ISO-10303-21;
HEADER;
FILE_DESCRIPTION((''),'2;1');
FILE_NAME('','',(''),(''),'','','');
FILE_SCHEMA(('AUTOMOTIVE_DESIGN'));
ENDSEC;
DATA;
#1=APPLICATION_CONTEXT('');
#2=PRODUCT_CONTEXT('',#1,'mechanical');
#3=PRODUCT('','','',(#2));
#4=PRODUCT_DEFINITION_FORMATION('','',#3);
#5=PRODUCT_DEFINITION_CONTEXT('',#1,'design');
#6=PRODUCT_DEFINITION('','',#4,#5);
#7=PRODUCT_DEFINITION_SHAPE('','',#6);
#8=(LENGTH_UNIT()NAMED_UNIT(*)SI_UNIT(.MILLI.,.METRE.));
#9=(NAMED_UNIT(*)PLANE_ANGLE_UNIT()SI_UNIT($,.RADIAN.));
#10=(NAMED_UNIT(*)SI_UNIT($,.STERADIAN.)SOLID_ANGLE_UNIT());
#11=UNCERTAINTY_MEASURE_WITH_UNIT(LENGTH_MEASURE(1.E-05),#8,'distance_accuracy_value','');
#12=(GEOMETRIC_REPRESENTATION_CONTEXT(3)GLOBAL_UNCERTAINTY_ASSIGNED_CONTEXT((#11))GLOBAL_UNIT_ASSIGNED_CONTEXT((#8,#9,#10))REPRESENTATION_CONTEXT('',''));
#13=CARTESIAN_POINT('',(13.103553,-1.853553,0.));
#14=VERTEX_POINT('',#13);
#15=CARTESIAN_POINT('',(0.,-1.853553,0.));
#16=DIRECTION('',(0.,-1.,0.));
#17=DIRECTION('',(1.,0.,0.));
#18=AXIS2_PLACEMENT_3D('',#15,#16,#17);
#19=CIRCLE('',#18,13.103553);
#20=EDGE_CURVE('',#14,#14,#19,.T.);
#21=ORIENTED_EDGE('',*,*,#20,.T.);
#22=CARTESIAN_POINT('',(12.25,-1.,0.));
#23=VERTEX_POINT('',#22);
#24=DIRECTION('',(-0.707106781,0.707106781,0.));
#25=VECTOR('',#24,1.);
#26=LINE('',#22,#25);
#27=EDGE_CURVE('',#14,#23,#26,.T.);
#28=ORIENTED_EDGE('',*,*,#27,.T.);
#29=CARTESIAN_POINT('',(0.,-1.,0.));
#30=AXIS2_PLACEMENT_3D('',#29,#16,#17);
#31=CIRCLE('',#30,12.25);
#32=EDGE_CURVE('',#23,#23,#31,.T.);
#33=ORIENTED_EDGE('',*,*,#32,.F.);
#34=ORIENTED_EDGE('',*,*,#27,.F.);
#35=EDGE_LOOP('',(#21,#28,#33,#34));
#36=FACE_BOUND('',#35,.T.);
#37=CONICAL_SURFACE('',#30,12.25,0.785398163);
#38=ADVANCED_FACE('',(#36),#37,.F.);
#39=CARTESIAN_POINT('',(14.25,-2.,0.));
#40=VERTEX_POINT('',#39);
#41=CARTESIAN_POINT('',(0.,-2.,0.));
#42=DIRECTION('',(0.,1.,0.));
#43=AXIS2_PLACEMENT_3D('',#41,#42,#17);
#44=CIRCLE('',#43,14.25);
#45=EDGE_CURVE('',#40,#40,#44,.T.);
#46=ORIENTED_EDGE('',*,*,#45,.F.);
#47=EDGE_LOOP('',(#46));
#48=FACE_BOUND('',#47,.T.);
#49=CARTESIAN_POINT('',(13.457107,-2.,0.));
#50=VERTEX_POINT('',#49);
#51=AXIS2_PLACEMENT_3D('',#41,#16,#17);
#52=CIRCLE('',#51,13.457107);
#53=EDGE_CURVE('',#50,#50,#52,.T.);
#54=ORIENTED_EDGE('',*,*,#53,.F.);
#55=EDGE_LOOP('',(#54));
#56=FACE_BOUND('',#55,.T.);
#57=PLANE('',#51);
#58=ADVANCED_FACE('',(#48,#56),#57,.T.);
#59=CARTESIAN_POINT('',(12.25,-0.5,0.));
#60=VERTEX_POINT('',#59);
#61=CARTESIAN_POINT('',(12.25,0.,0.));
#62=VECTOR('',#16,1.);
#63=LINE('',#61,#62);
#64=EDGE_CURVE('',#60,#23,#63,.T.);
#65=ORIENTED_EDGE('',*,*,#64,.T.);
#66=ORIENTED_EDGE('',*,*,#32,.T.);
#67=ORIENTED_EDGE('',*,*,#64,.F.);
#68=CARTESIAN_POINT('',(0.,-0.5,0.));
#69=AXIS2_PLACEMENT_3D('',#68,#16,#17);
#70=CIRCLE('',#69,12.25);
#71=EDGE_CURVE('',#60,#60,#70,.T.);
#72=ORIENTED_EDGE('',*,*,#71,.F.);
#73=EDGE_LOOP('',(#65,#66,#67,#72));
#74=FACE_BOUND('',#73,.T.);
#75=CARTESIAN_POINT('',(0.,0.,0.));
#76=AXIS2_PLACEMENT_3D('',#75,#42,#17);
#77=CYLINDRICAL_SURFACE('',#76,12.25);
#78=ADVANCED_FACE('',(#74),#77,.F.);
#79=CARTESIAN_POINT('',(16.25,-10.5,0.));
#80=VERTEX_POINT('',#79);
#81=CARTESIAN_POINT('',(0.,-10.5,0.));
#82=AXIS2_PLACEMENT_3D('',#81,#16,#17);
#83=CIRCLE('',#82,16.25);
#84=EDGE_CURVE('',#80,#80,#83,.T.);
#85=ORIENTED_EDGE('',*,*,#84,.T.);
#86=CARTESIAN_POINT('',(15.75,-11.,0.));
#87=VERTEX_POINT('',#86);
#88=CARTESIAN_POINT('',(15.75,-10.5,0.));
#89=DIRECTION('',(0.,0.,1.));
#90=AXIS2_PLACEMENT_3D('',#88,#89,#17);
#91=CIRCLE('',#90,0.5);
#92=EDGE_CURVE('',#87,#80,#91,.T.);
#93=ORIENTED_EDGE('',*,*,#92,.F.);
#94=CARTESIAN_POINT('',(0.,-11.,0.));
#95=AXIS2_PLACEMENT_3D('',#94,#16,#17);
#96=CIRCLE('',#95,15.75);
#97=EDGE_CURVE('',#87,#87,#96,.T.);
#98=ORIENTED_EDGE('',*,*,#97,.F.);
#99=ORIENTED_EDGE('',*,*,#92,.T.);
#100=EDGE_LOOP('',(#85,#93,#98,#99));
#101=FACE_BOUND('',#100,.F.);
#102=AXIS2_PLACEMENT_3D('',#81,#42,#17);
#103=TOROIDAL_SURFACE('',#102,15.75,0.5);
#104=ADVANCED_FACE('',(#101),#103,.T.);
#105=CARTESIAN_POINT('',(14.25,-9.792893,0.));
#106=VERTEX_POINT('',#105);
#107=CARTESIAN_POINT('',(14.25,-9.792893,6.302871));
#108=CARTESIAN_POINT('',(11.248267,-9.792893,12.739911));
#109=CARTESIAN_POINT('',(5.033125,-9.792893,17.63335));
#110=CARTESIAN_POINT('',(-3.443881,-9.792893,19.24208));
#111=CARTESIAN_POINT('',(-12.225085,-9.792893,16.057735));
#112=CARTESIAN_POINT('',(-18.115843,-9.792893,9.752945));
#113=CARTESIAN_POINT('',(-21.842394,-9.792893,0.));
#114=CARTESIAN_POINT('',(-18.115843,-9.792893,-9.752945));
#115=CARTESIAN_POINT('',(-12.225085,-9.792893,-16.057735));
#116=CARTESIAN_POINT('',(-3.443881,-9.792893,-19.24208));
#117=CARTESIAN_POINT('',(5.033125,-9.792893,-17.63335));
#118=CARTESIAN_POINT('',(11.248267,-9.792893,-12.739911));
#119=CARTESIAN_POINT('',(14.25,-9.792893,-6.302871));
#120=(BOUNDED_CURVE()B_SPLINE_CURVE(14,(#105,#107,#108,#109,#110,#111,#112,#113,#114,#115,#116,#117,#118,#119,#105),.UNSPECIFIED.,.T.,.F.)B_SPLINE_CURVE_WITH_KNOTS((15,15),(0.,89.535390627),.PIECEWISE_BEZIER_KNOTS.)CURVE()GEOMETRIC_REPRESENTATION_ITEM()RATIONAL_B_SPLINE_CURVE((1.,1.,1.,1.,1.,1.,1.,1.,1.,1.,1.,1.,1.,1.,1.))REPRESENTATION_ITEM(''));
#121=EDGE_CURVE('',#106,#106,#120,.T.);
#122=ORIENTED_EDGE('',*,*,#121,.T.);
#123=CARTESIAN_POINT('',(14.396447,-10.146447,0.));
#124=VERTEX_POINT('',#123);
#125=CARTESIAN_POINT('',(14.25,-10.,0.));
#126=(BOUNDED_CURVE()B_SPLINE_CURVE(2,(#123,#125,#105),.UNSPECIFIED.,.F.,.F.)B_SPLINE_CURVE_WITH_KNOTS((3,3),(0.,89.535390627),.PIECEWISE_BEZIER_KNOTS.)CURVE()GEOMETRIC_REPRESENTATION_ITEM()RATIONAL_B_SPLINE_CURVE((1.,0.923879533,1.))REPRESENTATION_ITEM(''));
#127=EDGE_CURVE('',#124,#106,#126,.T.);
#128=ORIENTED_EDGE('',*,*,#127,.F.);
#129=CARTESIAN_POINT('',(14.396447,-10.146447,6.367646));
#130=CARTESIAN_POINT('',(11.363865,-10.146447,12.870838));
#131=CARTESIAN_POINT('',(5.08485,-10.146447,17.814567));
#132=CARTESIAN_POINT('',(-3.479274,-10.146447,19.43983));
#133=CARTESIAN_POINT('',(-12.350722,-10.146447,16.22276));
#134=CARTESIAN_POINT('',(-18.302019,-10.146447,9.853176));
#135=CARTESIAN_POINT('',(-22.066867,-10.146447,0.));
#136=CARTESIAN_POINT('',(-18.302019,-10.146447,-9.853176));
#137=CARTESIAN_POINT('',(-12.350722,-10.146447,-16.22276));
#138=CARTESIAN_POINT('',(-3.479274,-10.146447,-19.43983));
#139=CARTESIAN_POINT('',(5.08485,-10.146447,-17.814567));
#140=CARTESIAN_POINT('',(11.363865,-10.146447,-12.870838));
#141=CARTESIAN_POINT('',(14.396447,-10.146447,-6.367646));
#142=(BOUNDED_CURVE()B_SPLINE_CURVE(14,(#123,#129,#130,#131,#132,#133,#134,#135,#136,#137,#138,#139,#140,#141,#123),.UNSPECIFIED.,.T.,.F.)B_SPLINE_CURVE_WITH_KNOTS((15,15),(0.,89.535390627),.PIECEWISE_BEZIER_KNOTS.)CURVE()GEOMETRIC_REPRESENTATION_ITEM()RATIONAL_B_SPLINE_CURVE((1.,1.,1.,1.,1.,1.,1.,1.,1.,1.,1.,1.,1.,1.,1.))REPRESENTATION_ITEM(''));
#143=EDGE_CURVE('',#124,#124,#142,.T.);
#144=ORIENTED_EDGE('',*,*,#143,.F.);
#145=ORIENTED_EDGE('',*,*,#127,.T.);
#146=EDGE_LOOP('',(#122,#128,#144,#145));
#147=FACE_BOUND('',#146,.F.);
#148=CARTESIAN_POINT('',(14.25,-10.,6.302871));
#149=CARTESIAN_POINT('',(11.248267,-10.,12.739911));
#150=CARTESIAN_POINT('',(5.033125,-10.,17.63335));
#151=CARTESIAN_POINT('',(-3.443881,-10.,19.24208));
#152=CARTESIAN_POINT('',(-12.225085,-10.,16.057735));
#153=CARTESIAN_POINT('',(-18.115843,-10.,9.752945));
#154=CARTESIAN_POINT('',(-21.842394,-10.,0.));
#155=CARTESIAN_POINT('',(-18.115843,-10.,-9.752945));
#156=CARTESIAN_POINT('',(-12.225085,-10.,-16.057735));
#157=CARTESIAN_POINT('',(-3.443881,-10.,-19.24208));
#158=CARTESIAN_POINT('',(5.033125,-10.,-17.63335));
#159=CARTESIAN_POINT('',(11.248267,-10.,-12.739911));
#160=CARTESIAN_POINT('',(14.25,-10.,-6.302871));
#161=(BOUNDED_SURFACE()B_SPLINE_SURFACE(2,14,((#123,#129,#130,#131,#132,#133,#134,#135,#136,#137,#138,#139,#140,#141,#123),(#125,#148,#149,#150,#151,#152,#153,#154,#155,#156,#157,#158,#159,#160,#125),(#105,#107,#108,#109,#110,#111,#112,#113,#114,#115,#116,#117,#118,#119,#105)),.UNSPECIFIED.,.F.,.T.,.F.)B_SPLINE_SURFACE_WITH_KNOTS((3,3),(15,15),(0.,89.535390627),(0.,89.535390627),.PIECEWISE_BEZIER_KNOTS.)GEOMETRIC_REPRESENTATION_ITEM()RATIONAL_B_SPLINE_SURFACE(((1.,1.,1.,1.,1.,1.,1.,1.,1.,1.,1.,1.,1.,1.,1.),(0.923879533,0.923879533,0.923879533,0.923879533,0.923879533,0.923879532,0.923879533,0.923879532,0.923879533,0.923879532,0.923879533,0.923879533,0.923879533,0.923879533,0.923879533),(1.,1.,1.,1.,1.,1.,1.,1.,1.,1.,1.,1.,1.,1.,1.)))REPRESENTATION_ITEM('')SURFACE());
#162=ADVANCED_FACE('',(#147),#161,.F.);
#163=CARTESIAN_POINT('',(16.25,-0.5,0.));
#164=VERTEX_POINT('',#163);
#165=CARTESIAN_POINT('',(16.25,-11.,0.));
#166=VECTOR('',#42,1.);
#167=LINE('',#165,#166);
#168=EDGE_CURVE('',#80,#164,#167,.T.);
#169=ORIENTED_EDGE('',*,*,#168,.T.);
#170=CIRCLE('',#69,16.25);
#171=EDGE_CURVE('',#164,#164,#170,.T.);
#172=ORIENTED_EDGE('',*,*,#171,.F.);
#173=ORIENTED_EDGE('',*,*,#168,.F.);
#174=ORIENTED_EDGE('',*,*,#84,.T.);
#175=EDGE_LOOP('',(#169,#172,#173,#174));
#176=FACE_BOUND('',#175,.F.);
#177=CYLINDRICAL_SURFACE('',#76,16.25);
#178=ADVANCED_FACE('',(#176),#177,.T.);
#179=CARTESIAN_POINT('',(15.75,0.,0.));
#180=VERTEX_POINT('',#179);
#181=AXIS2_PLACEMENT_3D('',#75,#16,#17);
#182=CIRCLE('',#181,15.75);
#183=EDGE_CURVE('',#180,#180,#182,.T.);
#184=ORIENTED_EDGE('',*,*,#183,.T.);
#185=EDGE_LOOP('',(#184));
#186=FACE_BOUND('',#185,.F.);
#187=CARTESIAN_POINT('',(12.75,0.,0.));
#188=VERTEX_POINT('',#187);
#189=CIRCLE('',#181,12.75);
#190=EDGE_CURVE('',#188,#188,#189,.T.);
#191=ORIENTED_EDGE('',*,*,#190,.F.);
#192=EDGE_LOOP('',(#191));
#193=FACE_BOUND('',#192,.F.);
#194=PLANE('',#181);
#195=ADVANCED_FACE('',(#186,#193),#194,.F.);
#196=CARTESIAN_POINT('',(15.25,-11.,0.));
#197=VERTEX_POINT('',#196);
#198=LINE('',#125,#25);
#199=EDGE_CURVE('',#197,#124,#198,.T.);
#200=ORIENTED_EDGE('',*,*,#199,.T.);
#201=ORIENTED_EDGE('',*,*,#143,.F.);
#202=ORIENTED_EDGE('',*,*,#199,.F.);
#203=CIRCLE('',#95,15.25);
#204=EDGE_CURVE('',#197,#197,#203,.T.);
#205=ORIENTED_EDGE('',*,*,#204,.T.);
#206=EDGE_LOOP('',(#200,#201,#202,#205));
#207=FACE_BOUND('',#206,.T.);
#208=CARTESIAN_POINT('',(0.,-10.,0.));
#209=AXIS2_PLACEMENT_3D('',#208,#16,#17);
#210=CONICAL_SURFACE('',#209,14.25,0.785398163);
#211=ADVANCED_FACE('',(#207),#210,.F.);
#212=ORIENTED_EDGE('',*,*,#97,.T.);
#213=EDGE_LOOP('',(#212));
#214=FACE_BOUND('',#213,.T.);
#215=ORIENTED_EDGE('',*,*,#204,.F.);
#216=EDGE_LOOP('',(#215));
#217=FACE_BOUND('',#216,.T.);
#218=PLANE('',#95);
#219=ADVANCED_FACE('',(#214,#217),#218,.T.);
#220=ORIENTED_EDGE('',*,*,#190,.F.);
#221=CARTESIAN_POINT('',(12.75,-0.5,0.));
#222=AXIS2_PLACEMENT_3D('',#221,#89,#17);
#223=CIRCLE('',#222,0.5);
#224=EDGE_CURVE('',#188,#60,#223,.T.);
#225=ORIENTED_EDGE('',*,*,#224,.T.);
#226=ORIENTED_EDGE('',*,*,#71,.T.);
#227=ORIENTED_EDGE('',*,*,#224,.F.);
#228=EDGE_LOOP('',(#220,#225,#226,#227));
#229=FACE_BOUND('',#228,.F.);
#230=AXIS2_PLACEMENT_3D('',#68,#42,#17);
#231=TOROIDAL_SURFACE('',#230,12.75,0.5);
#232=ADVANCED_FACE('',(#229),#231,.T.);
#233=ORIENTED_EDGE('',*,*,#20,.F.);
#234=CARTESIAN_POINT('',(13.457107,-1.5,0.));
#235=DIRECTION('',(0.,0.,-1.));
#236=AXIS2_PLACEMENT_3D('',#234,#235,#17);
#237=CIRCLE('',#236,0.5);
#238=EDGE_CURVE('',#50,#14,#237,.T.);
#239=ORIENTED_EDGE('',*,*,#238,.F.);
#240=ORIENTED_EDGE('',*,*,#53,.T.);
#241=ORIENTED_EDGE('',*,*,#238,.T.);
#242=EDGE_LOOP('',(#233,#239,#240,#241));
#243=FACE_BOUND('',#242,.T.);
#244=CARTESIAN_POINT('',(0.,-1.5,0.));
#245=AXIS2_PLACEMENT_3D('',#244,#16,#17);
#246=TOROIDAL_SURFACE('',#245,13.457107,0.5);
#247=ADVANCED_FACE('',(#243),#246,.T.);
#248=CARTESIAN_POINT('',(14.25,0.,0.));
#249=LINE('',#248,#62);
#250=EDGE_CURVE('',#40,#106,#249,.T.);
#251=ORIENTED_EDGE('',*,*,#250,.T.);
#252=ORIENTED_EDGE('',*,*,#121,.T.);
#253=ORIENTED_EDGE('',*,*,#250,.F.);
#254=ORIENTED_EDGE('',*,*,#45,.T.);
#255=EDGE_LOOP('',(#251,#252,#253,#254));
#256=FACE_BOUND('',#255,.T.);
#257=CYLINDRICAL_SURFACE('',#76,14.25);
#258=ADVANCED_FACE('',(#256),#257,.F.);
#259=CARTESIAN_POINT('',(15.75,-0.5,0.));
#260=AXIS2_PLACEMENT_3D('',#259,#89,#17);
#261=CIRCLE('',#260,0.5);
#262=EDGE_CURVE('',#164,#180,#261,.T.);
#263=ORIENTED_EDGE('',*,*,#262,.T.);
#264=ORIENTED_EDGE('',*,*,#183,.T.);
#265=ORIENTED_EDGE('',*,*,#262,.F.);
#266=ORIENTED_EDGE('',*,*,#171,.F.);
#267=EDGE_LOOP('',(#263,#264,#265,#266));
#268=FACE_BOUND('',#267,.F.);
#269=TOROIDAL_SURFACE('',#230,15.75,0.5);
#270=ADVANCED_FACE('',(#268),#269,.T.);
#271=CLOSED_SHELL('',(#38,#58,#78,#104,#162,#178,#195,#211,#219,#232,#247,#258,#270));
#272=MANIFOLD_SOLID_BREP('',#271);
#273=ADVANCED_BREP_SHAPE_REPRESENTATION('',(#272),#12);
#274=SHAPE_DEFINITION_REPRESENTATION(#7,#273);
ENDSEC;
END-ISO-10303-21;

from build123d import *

# Parameters (mm, degrees)
F0_R     = 16.25
F0_R_2   = 14.25
F0_R_3   = 12.25
F1_DEPTH = 2
F2_DEPTH = 11
F3_SIZE  = 1
F4_R     = 0.5


with BuildPart() as f1:
    # F0 (on Front) → F1 (new body)
    with BuildSketch(Plane.XZ):
        Circle(F0_R)
        Circle(F0_R_2, mode=Mode.SUBTRACT)
        Circle(F0_R_2)
        Circle(F0_R_3, mode=Mode.SUBTRACT)
    extrude(amount=F1_DEPTH)

    # F0 (on Front) → F2 (join)
    with BuildSketch(Plane.XZ):
        Circle(F0_R)
        Circle(F0_R_2, mode=Mode.SUBTRACT)
    extrude(amount=F2_DEPTH)

    # F3
    f3_edges = [f1.edges().sort_by_distance(p)[0] for p in [
        (-14.25, -11, 0),
        (-12.25, -2, 0),
    ]]
    chamfer(f3_edges, length=F3_SIZE)

    # F4
    f4_edges = [f1.edges().sort_by_distance(p)[0] for p in [
        (-16.25, 0, 0),
        (16.25, -5.5, 0),
        (-16.25, -11, 0),
        (-12.25, 0, 0),
        (-14.25, -10, 0),
        (-13.25, -2, 0),
    ]]
    fillet(f4_edges, radius=F4_R)


solid = f1.part
